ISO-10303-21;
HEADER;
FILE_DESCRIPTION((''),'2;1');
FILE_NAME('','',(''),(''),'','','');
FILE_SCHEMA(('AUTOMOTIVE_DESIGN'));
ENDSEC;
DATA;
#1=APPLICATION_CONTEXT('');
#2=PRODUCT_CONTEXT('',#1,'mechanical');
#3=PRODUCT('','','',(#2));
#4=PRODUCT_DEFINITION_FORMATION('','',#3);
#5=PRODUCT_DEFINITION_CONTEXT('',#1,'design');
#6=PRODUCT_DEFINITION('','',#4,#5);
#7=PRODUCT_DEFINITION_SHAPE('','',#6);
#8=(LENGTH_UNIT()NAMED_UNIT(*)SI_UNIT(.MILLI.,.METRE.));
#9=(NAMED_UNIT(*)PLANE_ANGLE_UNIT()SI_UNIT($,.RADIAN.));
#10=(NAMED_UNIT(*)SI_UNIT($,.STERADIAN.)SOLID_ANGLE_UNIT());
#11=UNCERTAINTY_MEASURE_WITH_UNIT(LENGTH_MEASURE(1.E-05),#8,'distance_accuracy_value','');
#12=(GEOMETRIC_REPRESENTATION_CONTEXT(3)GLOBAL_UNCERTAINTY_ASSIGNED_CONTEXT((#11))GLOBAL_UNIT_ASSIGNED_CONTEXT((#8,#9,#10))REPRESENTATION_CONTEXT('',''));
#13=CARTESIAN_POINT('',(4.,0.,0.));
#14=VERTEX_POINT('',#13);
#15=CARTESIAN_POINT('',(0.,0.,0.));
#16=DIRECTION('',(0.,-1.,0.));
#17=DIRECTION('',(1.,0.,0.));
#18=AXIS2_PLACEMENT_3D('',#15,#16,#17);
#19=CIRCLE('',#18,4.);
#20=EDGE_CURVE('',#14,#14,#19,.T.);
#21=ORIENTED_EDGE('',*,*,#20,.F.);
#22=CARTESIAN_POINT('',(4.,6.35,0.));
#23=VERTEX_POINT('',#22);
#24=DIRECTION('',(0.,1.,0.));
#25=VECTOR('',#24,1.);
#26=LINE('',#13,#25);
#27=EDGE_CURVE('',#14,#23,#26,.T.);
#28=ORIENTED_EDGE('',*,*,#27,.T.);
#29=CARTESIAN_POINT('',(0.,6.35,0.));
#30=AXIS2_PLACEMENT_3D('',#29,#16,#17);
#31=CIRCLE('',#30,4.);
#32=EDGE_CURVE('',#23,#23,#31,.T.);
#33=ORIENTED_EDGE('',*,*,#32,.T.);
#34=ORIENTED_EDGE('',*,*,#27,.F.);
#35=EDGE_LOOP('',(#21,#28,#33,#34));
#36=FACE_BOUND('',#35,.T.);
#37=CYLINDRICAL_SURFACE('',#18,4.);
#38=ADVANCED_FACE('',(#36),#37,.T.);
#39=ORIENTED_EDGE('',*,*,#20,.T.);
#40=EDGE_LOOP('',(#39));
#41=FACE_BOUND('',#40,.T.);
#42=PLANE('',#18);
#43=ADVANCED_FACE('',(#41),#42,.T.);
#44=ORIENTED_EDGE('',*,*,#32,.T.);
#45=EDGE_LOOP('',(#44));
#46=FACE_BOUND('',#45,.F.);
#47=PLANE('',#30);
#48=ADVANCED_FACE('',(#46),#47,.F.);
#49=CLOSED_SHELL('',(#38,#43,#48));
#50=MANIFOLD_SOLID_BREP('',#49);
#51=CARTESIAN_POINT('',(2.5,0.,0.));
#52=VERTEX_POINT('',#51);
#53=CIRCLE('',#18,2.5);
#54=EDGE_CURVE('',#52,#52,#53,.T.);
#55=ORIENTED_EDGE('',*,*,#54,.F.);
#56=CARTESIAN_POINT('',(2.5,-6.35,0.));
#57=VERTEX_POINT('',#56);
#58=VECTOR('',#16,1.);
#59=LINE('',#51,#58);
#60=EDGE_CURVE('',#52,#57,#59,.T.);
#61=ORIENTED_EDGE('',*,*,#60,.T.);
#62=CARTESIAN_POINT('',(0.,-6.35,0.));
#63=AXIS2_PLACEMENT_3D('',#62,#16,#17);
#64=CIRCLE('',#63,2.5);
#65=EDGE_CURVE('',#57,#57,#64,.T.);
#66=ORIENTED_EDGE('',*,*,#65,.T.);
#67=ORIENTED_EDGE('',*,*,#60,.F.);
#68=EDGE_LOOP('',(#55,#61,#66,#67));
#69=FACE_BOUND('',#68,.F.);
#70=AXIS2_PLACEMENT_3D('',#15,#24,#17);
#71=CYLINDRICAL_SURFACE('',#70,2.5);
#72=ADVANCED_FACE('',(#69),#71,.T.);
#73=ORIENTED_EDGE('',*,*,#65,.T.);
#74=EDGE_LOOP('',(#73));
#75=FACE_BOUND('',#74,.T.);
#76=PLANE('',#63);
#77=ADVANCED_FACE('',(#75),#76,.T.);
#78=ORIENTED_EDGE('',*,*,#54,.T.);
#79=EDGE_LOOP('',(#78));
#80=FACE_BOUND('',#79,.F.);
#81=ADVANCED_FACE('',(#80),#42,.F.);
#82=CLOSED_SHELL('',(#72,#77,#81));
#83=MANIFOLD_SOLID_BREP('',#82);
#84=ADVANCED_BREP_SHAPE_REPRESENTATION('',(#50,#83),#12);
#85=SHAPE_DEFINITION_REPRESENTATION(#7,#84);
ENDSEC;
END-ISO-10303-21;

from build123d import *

# Parameters (mm, degrees)
F0_R     = 2.5
F1_DEPTH = 6.35
F0_R_2   = 4
F2_DEPTH = 6.35


with BuildPart() as f1:
    # F0 (on Front) → F1 (new body)
    with BuildSketch(Plane.XZ):
        Circle(F0_R)
    extrude(amount=F1_DEPTH)


with BuildPart() as f2:
    # F0 (on Front) → F2 (new body)
    with BuildSketch(Plane.XZ):
        Circle(F0_R_2)
        Circle(F0_R, mode=Mode.SUBTRACT)
        Circle(F0_R)
    extrude(amount=-F2_DEPTH)


solid = Compound([f1.part, f2.part])
